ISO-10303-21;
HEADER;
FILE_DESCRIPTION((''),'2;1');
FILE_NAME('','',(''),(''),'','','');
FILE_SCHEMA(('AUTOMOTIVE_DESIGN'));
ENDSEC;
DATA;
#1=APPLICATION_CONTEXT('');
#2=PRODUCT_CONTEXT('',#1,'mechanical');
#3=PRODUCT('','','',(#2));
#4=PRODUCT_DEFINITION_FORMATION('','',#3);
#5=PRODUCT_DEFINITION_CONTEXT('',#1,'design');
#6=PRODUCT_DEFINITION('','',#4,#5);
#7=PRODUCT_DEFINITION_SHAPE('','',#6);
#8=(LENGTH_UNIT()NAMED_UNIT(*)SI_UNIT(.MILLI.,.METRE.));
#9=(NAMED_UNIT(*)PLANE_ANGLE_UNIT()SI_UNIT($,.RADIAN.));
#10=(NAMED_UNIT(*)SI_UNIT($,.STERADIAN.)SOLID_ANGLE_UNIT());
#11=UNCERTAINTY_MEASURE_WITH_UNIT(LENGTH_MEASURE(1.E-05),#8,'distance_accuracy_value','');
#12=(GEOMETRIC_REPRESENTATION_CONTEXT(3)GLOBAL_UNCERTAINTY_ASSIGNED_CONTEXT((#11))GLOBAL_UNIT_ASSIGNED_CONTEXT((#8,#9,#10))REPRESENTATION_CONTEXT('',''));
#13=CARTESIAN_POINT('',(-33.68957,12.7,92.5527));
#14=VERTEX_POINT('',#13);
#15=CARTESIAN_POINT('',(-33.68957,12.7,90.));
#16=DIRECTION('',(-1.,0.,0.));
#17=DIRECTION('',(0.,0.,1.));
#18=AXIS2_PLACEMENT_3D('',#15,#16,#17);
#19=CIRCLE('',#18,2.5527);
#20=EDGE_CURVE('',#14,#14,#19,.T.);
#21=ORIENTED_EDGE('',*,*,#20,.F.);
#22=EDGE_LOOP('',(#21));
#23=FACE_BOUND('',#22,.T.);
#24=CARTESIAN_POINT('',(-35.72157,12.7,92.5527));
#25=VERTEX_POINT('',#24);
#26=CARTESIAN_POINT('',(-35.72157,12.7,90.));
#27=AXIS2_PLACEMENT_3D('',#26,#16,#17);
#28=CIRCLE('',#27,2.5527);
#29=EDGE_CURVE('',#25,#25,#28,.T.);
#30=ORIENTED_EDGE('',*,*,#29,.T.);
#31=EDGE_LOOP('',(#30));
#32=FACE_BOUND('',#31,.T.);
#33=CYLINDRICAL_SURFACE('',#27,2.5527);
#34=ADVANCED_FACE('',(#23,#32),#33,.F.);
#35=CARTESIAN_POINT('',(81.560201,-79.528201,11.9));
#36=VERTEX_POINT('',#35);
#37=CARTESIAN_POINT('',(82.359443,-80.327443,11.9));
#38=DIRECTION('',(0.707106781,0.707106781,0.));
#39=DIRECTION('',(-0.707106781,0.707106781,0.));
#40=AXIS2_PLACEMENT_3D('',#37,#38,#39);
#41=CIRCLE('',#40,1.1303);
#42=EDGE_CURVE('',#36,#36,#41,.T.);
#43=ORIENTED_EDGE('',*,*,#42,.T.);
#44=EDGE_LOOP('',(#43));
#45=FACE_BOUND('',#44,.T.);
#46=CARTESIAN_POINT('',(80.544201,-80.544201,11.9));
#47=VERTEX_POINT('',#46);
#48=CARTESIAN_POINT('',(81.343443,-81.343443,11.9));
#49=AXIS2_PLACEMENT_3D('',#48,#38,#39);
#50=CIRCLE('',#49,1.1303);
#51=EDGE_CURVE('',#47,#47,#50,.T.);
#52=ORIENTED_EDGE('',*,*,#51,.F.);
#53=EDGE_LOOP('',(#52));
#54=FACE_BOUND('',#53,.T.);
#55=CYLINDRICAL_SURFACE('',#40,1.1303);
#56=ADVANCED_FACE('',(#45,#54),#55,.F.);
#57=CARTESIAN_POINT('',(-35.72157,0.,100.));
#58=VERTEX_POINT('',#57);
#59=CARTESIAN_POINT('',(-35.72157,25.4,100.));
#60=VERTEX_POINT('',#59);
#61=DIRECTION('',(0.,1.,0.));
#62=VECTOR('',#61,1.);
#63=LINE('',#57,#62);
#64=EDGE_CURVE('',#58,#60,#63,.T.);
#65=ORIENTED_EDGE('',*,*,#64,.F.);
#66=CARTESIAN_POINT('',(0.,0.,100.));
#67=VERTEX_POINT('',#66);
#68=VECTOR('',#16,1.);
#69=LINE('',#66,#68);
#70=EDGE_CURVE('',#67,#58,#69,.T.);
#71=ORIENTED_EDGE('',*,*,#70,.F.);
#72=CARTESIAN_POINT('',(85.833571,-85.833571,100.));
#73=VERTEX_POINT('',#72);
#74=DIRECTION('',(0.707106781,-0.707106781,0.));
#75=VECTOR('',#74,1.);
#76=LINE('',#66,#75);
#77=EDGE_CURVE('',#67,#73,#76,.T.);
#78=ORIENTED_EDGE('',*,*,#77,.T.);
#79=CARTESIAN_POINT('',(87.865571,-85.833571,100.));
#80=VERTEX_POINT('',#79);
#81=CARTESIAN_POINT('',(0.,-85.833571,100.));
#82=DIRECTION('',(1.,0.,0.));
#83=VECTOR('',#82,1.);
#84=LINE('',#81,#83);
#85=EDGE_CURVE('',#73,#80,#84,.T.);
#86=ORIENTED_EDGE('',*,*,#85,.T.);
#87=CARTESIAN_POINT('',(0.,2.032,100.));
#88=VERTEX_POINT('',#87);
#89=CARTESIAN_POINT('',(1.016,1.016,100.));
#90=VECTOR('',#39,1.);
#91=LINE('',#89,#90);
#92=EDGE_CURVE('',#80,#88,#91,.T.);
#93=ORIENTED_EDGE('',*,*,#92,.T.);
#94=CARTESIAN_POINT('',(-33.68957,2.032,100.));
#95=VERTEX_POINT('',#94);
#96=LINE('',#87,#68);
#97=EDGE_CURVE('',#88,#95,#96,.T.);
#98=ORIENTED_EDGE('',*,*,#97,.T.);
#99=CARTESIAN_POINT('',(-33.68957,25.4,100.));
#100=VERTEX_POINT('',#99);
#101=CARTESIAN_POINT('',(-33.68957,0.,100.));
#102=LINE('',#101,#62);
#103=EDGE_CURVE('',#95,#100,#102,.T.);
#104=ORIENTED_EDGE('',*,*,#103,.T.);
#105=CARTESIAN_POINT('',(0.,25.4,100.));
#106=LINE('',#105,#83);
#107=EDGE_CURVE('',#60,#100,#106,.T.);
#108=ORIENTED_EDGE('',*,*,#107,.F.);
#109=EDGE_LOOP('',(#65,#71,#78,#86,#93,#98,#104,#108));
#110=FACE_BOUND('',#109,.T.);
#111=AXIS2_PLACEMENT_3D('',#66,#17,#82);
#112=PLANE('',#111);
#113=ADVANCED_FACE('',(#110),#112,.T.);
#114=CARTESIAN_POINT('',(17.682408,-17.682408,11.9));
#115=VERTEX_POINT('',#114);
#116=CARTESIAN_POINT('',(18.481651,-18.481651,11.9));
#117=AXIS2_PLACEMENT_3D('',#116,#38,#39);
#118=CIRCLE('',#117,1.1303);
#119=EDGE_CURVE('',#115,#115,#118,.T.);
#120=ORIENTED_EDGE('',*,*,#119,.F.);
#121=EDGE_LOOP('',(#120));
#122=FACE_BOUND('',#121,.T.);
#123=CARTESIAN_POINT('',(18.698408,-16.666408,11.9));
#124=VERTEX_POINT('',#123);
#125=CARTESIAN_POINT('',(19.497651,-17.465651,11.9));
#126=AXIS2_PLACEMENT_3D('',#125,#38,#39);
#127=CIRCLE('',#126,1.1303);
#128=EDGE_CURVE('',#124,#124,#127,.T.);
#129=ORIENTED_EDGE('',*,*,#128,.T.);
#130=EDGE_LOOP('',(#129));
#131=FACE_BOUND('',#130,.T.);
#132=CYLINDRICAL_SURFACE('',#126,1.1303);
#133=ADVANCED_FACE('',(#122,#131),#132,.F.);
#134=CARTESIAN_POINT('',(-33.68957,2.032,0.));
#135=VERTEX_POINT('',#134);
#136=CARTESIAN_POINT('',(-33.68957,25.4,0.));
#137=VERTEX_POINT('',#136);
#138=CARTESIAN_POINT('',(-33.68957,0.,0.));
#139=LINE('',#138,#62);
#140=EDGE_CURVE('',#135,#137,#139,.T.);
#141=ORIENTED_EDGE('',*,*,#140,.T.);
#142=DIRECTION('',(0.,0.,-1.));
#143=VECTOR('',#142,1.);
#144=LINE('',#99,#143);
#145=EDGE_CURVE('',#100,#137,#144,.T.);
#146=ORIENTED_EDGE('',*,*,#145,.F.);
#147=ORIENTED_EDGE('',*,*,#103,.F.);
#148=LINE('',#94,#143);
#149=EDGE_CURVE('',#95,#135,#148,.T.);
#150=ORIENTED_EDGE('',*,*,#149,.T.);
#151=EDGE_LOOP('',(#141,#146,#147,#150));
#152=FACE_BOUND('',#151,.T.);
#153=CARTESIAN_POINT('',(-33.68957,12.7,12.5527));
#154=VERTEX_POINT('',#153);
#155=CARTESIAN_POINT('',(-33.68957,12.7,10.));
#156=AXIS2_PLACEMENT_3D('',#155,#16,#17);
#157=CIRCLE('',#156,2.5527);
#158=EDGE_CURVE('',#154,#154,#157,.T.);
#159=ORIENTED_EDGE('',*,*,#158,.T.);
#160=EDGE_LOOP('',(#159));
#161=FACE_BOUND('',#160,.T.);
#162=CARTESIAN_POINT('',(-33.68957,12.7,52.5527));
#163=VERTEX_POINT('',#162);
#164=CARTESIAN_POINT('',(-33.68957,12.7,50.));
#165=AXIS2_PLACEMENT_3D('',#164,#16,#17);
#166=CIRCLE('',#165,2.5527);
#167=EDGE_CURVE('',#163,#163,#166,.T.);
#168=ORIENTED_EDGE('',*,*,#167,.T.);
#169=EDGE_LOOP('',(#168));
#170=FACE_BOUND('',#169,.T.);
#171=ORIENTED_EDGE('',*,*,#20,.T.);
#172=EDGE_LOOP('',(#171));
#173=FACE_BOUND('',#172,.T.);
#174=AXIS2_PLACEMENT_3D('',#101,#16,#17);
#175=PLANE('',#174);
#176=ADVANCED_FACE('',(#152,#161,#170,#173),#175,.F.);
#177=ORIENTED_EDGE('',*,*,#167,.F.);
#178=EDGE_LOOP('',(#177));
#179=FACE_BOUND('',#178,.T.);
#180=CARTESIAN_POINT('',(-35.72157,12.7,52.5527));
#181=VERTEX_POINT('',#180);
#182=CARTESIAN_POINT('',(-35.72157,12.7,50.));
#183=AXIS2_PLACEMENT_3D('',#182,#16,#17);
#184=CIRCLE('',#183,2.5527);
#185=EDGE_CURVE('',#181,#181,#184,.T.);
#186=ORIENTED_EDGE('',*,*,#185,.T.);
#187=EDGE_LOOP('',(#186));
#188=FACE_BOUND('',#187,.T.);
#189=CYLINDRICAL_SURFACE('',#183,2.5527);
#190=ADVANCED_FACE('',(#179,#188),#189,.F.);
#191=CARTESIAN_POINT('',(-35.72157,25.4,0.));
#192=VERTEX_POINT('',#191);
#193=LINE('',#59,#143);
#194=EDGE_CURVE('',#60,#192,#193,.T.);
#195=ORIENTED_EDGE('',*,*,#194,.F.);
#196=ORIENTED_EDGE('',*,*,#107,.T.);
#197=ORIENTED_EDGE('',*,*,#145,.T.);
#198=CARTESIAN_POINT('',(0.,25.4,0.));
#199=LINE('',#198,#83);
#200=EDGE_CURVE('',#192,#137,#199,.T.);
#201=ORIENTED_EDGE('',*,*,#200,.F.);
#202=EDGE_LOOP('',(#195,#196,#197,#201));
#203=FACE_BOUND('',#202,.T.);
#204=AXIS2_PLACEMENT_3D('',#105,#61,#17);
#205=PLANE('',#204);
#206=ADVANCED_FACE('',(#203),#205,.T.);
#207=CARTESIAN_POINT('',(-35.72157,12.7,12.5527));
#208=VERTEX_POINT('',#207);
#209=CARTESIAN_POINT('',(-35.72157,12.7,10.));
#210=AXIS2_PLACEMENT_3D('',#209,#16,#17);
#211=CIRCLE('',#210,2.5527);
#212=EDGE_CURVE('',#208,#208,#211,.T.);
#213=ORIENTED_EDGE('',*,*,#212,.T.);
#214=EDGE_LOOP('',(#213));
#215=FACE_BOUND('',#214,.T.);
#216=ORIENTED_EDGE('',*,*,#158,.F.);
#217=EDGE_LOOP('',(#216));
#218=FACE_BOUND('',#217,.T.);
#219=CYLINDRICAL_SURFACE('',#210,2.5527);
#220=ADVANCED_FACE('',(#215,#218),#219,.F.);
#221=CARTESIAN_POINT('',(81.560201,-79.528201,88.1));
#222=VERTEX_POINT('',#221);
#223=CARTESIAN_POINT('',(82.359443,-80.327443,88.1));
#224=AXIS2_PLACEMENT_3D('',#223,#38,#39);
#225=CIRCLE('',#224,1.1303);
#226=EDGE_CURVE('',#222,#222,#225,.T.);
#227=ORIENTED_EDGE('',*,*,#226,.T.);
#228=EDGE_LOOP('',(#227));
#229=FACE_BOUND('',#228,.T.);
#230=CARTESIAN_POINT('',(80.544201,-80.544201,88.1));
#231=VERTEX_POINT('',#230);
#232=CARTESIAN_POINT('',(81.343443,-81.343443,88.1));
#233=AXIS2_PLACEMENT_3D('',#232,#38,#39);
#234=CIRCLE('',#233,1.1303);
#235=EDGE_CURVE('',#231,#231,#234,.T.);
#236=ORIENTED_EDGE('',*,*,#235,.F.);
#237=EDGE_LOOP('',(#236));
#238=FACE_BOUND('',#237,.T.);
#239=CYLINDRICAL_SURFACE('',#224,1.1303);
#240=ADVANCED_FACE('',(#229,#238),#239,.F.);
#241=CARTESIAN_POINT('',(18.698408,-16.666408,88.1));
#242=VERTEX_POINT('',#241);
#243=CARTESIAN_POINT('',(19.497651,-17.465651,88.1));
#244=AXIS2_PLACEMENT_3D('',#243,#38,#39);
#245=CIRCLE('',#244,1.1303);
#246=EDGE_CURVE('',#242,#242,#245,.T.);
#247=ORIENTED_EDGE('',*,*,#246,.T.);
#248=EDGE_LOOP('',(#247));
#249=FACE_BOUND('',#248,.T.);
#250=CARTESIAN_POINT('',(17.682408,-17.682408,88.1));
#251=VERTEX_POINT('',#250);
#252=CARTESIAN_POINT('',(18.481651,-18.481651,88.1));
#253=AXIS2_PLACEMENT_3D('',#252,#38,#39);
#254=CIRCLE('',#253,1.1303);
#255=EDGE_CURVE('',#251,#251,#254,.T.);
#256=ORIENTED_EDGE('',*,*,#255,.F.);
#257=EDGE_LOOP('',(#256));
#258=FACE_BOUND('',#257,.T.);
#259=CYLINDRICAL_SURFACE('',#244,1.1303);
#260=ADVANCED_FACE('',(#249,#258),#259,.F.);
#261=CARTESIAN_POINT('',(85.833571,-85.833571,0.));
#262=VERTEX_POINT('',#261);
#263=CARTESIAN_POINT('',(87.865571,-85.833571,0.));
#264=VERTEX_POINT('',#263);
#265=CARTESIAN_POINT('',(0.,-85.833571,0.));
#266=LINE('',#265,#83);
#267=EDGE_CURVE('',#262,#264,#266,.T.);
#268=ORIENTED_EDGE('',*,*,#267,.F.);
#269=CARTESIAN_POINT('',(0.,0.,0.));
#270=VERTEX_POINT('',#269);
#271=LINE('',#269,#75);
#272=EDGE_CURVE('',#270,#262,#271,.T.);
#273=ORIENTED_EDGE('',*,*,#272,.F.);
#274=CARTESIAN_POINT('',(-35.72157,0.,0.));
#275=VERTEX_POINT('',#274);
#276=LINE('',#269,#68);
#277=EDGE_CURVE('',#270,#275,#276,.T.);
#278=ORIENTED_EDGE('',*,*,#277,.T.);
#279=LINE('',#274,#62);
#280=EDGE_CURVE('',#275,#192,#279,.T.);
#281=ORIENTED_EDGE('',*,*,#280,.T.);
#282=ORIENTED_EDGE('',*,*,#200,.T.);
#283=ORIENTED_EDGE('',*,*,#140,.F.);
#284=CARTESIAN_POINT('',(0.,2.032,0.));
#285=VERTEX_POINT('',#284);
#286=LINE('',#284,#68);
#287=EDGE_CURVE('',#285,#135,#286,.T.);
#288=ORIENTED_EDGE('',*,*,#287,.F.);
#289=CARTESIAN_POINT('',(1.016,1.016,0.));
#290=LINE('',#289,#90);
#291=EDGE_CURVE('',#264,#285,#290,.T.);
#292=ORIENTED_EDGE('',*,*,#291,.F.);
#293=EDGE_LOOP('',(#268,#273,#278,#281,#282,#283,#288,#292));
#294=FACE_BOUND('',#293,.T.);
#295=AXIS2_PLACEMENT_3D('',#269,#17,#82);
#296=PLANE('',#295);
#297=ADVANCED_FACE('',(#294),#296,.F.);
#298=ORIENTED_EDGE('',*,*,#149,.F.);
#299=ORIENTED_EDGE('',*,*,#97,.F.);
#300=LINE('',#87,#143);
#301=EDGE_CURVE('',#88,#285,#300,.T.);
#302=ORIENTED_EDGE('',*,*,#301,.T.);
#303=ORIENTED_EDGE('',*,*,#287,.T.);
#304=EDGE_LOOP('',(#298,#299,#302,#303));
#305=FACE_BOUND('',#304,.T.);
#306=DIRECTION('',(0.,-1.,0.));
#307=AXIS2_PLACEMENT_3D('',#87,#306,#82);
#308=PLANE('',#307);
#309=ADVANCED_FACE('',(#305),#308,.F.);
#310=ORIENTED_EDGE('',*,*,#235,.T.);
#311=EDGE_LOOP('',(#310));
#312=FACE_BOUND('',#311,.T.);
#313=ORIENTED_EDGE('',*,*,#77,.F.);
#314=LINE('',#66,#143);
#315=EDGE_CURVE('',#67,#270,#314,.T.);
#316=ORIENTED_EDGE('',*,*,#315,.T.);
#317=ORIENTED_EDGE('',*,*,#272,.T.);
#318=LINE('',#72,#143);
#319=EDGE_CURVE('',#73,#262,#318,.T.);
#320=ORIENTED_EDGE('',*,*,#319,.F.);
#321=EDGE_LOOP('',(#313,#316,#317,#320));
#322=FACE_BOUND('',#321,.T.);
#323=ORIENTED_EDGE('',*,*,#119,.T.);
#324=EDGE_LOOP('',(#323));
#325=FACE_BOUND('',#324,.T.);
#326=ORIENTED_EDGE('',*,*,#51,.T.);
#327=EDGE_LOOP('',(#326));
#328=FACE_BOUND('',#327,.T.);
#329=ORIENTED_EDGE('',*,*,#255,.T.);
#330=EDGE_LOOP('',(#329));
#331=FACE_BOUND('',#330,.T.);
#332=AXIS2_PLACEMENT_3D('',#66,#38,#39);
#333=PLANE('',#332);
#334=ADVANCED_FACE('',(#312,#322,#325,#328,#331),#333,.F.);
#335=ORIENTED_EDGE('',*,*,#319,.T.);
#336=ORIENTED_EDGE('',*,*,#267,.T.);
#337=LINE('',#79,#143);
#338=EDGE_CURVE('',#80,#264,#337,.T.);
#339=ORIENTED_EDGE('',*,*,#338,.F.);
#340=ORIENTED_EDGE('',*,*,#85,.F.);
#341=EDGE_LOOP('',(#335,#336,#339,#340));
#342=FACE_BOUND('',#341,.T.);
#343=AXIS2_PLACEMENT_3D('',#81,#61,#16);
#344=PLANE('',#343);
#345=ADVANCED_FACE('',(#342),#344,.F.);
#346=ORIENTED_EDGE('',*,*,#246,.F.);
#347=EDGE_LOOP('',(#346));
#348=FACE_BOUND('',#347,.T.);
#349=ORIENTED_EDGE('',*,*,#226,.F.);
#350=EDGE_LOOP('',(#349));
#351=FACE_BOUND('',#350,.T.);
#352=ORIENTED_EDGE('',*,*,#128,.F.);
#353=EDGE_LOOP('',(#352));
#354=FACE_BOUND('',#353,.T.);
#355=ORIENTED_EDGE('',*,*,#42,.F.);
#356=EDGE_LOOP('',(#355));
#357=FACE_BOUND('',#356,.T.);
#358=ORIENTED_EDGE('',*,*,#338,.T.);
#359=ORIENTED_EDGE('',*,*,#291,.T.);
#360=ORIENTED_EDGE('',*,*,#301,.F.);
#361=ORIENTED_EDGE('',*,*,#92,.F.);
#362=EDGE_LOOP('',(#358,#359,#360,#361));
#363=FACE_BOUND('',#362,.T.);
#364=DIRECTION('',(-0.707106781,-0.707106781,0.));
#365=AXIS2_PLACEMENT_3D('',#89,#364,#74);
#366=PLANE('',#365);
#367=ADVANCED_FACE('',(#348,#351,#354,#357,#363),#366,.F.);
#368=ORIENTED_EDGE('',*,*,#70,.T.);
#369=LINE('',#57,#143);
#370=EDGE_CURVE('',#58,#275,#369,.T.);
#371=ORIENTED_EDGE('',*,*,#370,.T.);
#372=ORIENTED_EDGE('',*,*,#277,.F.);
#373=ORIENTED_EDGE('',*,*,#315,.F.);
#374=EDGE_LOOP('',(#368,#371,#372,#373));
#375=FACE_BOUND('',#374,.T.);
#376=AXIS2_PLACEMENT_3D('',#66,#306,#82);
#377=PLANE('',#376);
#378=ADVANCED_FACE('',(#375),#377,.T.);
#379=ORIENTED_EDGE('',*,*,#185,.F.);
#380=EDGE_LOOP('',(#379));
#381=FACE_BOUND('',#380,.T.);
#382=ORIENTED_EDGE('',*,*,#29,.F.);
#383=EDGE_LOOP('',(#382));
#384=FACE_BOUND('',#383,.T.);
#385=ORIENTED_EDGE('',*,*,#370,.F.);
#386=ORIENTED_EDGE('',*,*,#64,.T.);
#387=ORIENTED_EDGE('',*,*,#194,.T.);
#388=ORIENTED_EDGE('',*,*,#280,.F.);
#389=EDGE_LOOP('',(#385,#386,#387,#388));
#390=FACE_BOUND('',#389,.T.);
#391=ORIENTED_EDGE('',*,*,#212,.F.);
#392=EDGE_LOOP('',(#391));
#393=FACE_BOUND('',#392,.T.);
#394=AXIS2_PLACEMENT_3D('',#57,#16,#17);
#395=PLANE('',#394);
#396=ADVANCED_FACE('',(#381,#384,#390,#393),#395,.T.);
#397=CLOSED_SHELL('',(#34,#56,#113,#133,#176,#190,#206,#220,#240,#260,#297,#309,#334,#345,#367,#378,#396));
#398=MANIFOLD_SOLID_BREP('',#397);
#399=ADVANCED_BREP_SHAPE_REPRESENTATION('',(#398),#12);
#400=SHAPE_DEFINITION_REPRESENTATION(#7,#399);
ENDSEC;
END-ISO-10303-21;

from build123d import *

# Parameters (mm, degrees)
BOSS_EXTRUDE1_DEPTH     = 100
CUT_EXTRUDE1_DEPTH      = 159.384645446
CUT_EXTRUDE1_DEPTH_BACK = 159.384645446
SKETCH2_R               = 1.13
F_4_40_TAPPED_HOLE1_D   = 2.2606
F_1_4_20_TAPPED_HOLE1_D = 5.1054


with BuildPart() as part:
    # Sketch1 → Boss-Extrude1 (new body)
    with BuildSketch(Plane.XY):
        Polygon((87.865570848, -85.833570848), (0, 2.032), (-33.68957, 2.032), (-33.68957, 25.4), (-35.72157, 25.4), (-35.72157, 0), (0, 0), (85.833570848, -85.833570848), align=None)
    extrude(amount=BOSS_EXTRUDE1_DEPTH)

    # Sketch2 → Cut-Extrude1 (cut, two sides: drawn at the far end of the back side and taken through both)
    with BuildSketch(Plane(origin=(1.016, 1.016, 0), x_dir=(0, 0, -1), z_dir=(0.707106781186546, 0.707106781186549, 0)).offset(-CUT_EXTRUDE1_DEPTH_BACK)):
        with Locations((-88.1, -26.137000979)):
            Circle(SKETCH2_R)
        with Locations((-11.9, -26.137000979)):
            Circle(SKETCH2_R)
        with Locations((-11.9, -115.037000979)):
            Circle(SKETCH2_R)
        with Locations((-88.1, -115.037000979)):
            Circle(SKETCH2_R)
    extrude(amount=CUT_EXTRUDE1_DEPTH + CUT_EXTRUDE1_DEPTH_BACK, mode=Mode.SUBTRACT)

    # #4-40 Tapped Hole1 (through all)
    with Locations(Plane(origin=(19.497650632, -17.465650632, 88.1), x_dir=(0.707106781187, -0.707106781187, 0), z_dir=(0.707106781187, 0.707106781187, 0))):
        with Locations((1e-09, 0), (1e-09, 76.2), (88.900000001, 76.2), (88.900000001, 0)):
            Hole(F_4_40_TAPPED_HOLE1_D / 2)

    # 1/4-20 Tapped Hole1 (through all)
    with Locations(Plane.ZY.offset(35.72157)):
        with Locations((10, 12.7), (50, 12.7), (90, 12.7)):
            Hole(F_1_4_20_TAPPED_HOLE1_D / 2)


solid = part.part
